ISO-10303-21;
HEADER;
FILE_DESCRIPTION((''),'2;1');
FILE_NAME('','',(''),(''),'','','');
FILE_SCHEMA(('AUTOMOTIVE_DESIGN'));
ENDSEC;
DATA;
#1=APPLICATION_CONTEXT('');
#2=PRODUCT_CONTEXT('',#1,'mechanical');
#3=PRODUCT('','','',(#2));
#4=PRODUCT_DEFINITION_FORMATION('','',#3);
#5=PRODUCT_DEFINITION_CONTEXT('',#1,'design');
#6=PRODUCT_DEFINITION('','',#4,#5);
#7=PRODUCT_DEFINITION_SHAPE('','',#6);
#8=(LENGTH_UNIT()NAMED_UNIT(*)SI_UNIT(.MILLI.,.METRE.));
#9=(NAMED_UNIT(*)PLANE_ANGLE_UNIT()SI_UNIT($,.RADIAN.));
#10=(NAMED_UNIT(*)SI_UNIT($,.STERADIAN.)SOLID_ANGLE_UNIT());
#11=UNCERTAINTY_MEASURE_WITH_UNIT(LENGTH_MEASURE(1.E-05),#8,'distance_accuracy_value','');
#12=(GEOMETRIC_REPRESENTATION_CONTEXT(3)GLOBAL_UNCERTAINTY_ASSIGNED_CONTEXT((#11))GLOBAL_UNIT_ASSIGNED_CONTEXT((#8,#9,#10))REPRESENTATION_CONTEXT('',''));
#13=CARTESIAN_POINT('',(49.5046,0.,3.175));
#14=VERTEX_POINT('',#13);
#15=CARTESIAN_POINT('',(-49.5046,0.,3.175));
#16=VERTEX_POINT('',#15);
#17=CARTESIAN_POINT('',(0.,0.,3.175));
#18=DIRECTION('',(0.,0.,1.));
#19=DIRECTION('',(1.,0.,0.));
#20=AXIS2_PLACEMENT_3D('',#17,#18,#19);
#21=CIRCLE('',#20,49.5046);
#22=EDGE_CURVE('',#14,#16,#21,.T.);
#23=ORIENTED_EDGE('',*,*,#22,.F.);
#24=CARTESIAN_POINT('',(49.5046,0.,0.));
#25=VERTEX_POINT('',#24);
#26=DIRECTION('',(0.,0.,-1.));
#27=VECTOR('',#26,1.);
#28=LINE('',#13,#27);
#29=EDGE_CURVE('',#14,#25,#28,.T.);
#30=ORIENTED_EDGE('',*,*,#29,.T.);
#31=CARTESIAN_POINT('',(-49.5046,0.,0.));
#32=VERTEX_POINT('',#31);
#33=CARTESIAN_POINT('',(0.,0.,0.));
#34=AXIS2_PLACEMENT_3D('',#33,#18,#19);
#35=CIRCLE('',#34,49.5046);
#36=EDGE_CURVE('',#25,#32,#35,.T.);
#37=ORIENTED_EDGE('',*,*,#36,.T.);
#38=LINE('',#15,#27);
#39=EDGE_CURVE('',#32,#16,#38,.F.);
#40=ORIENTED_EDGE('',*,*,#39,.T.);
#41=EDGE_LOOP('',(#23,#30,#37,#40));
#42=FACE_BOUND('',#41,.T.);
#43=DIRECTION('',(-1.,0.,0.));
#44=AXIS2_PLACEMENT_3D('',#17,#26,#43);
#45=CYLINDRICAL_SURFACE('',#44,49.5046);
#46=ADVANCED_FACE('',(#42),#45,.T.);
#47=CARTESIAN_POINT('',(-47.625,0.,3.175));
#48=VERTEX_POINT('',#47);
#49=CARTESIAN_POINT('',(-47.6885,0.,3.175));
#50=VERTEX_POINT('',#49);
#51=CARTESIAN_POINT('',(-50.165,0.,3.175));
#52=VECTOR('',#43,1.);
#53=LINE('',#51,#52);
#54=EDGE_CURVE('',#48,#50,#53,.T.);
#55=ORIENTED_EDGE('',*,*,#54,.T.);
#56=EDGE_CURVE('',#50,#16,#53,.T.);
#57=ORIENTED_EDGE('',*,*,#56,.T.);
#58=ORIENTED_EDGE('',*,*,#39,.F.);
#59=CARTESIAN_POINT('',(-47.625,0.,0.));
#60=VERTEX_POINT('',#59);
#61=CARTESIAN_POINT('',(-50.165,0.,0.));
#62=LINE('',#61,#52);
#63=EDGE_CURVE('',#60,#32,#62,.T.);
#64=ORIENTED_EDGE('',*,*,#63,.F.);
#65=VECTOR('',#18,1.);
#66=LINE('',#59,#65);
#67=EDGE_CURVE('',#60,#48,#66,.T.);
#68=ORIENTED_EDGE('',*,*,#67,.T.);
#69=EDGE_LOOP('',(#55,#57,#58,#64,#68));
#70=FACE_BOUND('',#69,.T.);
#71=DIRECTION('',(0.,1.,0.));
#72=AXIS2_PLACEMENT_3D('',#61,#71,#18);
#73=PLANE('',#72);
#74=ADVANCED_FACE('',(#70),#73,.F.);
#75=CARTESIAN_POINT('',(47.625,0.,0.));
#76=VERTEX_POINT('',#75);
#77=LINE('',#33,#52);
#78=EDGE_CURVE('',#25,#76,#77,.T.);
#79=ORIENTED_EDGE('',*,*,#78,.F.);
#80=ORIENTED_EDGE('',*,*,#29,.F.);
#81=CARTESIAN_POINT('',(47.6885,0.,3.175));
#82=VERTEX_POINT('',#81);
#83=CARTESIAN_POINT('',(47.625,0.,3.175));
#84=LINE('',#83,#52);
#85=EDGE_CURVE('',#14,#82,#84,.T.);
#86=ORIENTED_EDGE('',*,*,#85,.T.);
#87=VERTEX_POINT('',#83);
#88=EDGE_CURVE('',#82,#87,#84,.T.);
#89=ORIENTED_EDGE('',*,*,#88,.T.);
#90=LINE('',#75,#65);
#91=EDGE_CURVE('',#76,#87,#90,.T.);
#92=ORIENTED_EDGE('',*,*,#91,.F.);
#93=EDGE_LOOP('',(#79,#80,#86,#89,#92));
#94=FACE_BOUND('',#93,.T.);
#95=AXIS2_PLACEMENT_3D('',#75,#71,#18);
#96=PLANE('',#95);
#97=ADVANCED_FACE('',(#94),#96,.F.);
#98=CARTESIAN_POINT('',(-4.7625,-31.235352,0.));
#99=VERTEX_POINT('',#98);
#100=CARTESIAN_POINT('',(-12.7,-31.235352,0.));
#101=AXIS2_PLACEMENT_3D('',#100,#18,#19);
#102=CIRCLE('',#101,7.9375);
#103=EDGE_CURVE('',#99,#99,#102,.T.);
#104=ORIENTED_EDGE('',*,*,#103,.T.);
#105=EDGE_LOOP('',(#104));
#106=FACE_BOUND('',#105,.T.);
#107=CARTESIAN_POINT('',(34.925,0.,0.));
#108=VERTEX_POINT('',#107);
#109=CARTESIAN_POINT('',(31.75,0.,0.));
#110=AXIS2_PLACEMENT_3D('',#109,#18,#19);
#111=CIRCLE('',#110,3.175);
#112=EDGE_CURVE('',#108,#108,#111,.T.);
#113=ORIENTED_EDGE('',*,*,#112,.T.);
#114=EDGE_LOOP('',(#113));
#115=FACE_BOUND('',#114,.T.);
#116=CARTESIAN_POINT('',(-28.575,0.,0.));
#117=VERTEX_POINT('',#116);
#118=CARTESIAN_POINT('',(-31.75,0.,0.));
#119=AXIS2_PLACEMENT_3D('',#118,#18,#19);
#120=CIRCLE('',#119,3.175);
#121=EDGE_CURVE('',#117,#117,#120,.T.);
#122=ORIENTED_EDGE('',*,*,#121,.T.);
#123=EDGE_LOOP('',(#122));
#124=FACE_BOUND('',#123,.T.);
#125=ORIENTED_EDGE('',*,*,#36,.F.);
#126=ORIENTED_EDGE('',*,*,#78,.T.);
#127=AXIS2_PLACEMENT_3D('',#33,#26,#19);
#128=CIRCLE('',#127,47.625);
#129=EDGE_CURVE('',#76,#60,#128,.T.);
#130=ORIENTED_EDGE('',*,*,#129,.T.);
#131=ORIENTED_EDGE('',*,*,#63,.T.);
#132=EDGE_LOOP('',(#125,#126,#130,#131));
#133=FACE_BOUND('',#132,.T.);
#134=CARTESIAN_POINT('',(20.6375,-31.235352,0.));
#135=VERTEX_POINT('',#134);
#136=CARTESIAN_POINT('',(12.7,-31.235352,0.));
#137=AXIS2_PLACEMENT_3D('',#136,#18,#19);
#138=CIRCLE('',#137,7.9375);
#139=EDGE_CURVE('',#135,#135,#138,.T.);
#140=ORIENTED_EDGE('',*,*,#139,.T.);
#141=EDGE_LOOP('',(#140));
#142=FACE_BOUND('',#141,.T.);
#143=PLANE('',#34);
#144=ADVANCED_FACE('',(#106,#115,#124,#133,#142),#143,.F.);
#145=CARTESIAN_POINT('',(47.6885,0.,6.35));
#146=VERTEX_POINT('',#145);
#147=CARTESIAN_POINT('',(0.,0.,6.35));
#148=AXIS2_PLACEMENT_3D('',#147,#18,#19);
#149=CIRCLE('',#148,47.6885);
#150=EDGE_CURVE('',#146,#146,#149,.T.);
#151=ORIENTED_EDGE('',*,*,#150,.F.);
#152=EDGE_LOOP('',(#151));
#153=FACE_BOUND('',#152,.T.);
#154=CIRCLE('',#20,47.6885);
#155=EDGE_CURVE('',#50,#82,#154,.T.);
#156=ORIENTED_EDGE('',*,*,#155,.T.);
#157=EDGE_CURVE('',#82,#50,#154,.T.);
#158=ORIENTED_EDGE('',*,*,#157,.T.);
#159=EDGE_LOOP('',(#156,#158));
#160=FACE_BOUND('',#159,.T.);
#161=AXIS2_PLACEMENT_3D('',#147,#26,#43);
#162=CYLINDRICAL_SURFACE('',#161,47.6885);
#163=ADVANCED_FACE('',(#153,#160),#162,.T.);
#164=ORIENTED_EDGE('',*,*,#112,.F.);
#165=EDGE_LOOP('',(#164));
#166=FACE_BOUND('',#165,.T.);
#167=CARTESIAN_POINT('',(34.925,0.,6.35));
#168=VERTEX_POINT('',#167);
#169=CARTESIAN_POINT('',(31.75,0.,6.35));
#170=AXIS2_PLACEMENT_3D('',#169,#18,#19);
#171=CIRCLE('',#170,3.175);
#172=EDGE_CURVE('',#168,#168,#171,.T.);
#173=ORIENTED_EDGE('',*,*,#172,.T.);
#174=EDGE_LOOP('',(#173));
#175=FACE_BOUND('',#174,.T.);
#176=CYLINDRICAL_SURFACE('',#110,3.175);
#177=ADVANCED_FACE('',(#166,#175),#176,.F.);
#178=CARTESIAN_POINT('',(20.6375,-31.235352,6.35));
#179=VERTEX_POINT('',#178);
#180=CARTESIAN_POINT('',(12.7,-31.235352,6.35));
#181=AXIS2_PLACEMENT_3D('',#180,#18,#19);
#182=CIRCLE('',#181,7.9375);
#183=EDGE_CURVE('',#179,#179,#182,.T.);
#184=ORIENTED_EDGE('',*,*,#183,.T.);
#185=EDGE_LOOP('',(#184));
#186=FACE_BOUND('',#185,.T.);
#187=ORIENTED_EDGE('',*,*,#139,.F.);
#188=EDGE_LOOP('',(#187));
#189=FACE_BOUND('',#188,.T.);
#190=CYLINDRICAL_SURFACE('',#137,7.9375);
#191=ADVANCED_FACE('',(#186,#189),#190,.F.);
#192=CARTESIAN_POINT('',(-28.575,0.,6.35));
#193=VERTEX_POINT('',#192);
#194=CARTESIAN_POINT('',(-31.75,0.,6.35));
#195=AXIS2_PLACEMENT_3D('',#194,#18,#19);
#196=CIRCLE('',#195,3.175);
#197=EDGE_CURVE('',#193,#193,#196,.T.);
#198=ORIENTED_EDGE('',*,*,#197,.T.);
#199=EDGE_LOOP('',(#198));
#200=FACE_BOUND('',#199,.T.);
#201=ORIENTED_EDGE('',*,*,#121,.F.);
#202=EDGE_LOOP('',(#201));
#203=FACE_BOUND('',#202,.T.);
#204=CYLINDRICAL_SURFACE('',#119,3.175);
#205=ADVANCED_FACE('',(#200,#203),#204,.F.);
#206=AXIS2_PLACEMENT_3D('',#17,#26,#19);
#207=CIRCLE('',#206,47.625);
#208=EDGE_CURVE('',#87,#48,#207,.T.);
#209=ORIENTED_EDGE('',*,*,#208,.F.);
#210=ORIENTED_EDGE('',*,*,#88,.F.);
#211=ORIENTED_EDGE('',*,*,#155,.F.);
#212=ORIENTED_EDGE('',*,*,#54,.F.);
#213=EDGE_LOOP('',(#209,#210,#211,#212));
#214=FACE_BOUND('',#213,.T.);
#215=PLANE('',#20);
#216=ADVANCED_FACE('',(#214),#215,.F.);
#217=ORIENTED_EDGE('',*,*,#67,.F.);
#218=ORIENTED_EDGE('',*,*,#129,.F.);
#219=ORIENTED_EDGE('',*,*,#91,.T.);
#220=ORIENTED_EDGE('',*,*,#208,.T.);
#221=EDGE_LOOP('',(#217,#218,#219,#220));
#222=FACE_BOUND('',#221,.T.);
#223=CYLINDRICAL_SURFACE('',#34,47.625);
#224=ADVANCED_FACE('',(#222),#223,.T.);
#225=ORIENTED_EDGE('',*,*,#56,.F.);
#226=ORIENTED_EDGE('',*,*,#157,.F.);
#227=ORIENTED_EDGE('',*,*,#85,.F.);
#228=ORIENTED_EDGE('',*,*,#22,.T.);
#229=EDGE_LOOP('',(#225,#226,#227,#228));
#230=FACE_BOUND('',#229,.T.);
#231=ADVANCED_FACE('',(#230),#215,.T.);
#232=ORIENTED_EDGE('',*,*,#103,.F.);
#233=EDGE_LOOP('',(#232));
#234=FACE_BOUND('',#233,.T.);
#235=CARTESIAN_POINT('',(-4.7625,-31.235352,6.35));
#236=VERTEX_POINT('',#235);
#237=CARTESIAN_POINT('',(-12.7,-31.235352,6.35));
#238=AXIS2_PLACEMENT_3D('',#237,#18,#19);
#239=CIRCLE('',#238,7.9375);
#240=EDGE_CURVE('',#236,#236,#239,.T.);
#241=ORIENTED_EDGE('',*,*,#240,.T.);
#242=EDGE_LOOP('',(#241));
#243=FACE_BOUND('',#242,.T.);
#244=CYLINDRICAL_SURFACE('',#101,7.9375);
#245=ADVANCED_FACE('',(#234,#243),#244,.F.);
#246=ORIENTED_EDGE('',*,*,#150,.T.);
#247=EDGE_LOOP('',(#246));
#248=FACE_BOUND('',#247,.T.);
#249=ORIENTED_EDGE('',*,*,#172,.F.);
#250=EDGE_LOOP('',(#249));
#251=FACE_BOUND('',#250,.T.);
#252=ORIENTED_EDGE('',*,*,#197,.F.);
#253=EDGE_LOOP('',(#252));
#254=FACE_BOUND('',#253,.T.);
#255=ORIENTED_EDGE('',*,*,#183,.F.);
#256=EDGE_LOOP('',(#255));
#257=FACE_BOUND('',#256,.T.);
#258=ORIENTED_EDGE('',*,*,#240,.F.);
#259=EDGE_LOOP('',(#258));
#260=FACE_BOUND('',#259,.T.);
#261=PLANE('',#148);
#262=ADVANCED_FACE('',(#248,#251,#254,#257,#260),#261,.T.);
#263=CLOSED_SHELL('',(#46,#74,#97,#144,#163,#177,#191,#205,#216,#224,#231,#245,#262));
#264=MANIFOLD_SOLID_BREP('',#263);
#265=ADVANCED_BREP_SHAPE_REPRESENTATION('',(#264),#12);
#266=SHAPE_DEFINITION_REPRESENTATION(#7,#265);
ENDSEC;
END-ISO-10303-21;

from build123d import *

# Parameters (mm, degrees)
SKETCH1_R           = 49.5046
BOSS_EXTRUDE1_DEPTH = 3.175
SKETCH2_R           = 47.6885
BOSS_EXTRUDE2_DEPTH = 3.175
SKETCH3_R           = 3.175
SKETCH3_R_2         = 7.9375
CUT_EXTRUDE1_DEPTH  = 7.35
CUT_EXTRUDE2_DEPTH  = 4.175


with BuildPart() as part:
    # Sketch1 → Boss-Extrude1 (new body)
    with BuildSketch(Plane.XY):
        Circle(SKETCH1_R)
    extrude(amount=BOSS_EXTRUDE1_DEPTH)

    # Sketch2 → Boss-Extrude2 (add)
    with BuildSketch(Plane.XY.offset(3.175)):
        Circle(SKETCH2_R)
    extrude(amount=BOSS_EXTRUDE2_DEPTH)

    # Sketch3 → Cut-Extrude1 (cut, through all)
    with BuildSketch(Plane.XY.offset(6.35)):
        with Locations((-31.75, 0)):
            Circle(SKETCH3_R)
        with Locations((31.75, 0)):
            Circle(SKETCH3_R)
        with Locations((-12.7, -31.235352443)):
            Circle(SKETCH3_R_2)
        with Locations((12.7, -31.235352443)):
            Circle(SKETCH3_R_2)
    extrude(amount=-CUT_EXTRUDE1_DEPTH, mode=Mode.SUBTRACT)

    # Sketch4 → Cut-Extrude2 (cut, through all)
    with BuildSketch(Plane.XY.offset(3.175)):
        with BuildLine():
            Line((-50.165, 0), (-47.625, 0))
            ThreePointArc((-47.625, 0), (0, -47.625), (47.625, 0))
            Line((47.625, 0), (50.165, 0))
            ThreePointArc((50.165, 0), (0, -50.165), (-50.165, 0))
        make_face()
    extrude(amount=-CUT_EXTRUDE2_DEPTH, mode=Mode.SUBTRACT)


solid = part.part
